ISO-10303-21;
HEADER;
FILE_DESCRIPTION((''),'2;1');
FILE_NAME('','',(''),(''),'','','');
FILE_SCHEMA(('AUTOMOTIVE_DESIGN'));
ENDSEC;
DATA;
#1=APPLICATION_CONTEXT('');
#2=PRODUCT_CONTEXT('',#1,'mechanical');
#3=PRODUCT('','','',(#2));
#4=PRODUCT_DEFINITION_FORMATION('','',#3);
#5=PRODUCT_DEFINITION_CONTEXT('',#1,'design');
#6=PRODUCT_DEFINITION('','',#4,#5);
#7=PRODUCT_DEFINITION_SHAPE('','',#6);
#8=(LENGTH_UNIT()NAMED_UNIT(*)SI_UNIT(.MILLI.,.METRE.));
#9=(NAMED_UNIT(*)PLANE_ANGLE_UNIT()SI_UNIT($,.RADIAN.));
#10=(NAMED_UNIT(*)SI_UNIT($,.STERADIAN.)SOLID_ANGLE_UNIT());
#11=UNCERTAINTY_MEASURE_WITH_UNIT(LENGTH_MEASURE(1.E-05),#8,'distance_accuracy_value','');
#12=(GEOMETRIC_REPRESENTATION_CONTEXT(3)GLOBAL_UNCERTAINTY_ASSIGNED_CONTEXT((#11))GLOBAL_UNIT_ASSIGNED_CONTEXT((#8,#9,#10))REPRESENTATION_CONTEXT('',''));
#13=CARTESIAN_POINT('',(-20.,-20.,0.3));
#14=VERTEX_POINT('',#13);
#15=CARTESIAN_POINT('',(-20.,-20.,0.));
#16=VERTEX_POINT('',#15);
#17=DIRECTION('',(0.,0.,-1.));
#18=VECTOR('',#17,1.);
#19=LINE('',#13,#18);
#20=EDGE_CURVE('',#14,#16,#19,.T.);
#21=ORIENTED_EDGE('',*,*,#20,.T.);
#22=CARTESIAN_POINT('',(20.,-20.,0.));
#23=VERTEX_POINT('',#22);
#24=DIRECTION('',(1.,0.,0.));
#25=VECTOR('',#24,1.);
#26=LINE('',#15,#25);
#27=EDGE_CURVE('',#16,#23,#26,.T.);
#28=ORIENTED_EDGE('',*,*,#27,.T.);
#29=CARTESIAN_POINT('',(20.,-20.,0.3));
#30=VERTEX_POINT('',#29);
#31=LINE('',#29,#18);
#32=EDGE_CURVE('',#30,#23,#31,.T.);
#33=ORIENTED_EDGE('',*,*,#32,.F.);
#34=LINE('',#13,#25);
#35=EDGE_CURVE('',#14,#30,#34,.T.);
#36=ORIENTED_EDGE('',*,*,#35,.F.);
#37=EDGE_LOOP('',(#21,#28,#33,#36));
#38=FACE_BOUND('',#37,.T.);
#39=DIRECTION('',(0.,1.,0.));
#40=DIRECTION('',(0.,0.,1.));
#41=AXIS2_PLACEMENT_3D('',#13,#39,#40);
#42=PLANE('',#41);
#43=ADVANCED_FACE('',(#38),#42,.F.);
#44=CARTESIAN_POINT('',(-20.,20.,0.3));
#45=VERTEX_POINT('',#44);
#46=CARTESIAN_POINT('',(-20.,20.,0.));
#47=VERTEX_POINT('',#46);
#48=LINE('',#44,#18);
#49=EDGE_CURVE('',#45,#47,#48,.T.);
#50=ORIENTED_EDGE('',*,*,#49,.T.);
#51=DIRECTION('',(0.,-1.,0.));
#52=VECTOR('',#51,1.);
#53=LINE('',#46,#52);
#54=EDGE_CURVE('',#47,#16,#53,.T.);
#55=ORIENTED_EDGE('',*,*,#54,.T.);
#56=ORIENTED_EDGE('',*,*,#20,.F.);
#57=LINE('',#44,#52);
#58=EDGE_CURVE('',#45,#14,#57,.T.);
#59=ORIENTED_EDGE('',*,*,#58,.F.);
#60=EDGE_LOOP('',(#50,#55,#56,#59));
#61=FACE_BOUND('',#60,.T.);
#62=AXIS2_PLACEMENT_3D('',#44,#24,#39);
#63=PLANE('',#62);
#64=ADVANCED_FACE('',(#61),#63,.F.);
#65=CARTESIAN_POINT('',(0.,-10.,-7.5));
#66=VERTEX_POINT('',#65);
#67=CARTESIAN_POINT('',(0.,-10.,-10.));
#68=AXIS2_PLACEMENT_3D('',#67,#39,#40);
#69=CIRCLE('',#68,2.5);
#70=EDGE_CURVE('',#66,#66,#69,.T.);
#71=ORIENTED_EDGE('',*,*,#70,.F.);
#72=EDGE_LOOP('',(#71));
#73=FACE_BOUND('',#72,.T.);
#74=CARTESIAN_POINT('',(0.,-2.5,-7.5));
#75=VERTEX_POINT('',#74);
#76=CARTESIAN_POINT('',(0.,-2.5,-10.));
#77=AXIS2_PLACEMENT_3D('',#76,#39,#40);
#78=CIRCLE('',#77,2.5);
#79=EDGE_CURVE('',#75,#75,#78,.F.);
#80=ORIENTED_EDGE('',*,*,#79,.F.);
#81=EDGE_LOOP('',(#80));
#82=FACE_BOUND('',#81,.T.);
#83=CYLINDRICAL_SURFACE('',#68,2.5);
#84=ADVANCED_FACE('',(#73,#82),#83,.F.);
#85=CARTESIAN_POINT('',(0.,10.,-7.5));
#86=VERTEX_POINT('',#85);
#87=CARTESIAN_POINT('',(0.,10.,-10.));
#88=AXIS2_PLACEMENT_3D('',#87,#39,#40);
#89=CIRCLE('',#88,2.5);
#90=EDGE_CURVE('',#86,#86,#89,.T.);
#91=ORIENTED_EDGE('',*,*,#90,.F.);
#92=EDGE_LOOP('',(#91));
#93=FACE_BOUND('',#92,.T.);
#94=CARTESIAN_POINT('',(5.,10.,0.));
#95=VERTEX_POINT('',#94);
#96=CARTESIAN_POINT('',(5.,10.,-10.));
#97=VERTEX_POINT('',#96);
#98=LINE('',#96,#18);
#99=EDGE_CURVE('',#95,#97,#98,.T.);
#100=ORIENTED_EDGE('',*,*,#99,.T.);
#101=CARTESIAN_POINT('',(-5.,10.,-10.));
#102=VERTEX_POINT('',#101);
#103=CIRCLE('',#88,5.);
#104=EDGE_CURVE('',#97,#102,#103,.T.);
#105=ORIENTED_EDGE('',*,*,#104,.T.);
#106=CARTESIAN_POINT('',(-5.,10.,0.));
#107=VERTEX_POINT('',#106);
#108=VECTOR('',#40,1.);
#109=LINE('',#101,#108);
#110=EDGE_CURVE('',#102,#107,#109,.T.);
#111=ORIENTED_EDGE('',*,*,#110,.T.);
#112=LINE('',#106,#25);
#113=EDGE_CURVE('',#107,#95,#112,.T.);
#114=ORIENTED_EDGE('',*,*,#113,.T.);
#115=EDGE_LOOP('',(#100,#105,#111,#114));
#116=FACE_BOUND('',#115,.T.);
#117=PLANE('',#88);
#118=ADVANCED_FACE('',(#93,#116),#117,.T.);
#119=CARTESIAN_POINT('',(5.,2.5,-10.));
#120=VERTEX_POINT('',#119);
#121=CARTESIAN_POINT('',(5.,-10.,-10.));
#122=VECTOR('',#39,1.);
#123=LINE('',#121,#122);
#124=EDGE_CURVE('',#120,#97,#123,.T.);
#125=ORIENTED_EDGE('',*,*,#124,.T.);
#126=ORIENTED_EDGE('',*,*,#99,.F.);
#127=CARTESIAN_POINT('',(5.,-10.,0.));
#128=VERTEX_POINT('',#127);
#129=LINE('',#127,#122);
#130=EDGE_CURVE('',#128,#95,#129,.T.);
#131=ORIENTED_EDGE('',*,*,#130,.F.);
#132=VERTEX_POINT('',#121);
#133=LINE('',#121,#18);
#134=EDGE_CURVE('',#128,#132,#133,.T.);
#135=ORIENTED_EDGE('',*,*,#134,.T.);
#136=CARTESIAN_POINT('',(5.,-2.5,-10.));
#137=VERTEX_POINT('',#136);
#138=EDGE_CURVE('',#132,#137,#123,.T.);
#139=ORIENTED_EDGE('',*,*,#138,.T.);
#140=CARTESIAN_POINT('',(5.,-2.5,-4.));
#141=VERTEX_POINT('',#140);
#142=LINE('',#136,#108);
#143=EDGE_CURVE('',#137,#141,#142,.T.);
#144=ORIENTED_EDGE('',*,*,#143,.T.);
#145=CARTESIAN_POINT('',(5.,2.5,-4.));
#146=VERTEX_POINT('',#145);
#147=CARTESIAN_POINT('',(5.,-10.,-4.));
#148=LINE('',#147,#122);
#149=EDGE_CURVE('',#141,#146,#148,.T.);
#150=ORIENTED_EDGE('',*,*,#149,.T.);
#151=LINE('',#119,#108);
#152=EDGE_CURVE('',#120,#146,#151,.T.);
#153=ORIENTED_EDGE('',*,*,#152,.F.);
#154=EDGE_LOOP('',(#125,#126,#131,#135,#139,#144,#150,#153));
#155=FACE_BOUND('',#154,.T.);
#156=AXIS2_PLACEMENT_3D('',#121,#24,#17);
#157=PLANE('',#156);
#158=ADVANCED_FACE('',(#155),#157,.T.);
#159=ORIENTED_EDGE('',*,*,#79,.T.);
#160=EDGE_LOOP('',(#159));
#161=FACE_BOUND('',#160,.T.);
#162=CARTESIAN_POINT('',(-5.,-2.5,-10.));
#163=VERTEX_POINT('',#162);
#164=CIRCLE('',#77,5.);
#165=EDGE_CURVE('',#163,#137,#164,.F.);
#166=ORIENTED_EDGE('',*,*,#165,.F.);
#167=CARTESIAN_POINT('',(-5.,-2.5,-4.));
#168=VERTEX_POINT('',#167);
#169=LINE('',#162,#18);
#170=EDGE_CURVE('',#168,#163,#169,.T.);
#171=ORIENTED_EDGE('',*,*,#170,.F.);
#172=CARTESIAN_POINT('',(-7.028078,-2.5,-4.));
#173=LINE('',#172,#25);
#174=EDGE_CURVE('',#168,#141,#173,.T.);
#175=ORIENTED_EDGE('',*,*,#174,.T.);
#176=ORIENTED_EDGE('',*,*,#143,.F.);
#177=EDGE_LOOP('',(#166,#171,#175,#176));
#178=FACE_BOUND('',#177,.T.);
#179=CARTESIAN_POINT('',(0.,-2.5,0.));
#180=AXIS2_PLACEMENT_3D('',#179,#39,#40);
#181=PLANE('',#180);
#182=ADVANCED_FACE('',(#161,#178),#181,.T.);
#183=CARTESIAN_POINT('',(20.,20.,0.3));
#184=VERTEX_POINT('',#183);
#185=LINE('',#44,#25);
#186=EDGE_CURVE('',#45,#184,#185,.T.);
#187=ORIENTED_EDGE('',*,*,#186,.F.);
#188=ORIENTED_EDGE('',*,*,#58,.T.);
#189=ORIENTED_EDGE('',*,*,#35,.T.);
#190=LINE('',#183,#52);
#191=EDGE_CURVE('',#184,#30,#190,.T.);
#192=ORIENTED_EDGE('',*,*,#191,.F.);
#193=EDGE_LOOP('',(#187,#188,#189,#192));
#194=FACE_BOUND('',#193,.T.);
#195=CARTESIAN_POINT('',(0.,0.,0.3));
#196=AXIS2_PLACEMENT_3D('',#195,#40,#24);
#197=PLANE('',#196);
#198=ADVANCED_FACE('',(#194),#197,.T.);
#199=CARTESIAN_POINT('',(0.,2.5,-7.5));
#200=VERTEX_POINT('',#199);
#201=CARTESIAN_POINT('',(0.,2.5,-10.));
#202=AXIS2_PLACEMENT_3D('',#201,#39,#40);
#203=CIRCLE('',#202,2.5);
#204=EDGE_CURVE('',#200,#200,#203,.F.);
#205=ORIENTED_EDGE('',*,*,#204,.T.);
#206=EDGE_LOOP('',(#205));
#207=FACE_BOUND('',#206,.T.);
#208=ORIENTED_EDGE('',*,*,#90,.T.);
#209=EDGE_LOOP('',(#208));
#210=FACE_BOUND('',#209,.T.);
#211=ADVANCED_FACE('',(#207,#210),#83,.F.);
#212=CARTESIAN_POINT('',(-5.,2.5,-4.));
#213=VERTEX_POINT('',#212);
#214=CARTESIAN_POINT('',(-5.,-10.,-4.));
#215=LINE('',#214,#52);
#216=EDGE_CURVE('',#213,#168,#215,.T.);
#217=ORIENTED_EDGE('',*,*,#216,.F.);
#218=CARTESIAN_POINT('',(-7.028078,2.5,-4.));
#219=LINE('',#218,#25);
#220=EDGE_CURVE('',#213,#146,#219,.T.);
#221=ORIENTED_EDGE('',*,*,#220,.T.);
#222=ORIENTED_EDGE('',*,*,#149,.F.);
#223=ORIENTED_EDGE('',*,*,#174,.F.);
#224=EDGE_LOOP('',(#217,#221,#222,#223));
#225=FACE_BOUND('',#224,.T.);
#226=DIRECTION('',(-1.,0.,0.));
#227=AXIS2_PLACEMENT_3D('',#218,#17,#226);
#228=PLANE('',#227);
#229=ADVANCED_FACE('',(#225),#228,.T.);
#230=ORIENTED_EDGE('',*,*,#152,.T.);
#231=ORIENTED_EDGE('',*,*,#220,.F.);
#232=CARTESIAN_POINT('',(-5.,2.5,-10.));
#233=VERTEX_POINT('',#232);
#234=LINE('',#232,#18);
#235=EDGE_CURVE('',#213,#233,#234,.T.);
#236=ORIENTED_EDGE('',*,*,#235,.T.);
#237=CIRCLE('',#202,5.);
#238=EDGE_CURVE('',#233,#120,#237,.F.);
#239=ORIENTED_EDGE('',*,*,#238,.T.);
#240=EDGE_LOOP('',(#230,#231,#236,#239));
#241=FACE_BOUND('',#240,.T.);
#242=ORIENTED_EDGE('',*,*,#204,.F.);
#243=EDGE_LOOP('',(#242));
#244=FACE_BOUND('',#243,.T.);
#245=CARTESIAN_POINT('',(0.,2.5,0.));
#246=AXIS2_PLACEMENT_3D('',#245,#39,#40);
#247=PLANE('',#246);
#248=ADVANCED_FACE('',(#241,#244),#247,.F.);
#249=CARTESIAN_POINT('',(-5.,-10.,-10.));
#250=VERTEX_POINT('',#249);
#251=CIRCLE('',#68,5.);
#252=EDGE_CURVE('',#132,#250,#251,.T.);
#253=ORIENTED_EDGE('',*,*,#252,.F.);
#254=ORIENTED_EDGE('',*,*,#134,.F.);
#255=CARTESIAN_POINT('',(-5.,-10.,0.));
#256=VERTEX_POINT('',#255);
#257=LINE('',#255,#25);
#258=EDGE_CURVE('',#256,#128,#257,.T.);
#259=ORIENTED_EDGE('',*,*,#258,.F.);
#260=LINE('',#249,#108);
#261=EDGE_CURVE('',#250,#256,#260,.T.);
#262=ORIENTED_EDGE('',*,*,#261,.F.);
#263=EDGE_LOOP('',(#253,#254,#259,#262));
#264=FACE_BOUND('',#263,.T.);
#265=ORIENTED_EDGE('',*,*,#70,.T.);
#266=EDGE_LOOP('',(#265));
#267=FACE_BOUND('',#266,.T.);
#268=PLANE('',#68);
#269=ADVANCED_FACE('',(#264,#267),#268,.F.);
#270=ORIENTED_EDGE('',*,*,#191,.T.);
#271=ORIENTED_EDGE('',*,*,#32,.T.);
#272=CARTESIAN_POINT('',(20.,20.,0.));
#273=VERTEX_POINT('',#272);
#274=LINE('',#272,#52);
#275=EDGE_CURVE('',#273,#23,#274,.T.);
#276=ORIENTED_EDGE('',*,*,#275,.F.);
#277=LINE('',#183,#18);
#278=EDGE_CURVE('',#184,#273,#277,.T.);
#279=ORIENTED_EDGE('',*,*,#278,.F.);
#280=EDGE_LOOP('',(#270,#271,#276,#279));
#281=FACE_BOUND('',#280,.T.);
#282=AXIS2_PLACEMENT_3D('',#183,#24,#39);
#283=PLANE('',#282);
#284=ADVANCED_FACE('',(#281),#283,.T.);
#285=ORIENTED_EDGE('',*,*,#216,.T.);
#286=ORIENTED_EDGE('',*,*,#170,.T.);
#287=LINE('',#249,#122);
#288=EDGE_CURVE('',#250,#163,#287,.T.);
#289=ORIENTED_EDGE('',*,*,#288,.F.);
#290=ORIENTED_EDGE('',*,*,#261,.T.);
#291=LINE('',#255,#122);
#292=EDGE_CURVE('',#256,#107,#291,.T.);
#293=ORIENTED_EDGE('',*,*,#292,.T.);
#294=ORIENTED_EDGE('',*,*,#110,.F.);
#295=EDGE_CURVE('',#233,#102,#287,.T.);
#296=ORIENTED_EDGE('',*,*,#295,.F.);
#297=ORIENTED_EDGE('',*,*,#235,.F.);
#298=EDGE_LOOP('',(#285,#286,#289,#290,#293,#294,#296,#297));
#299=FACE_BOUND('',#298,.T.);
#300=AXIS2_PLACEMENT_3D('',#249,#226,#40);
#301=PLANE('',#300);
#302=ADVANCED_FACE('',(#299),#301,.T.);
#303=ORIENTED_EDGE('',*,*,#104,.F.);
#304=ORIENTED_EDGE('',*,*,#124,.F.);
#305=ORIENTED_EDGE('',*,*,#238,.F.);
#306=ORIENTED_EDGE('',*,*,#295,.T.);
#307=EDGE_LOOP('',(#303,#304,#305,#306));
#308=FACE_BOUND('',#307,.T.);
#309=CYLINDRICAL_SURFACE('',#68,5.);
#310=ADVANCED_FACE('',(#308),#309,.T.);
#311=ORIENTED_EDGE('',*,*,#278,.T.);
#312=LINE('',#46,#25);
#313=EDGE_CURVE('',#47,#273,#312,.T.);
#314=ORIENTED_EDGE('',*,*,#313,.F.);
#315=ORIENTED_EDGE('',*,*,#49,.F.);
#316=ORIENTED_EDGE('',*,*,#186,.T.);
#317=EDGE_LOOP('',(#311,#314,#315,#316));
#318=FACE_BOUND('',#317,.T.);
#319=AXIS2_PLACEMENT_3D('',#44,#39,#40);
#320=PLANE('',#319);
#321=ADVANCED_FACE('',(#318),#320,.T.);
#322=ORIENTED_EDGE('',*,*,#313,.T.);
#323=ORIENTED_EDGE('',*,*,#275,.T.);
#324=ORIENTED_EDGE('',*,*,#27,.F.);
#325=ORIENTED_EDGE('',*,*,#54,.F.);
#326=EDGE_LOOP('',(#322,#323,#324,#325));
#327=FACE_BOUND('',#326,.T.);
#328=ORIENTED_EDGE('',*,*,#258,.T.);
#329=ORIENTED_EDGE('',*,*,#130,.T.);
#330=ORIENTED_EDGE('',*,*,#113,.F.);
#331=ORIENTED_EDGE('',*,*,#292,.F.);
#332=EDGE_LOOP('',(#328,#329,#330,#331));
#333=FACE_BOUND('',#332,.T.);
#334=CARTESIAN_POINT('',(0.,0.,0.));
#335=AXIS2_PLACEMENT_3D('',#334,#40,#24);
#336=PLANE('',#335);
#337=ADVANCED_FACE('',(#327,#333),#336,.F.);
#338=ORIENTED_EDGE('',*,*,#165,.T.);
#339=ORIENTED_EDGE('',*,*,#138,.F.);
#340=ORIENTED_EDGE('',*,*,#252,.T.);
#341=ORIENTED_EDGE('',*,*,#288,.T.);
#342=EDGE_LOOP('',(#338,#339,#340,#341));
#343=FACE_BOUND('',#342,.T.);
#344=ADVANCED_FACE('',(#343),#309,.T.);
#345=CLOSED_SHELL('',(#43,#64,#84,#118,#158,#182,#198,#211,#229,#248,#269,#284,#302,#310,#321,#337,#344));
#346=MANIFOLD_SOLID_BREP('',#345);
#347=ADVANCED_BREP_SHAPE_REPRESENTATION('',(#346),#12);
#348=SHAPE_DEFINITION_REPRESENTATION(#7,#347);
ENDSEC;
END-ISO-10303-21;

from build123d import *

# Parameters (mm, degrees)
CROQUIS1_W                   = 40
CROQUIS1_H                   = 40
SALIENTE_EXTRUIR1_DEPTH      = 0.3
SALIENTE_EXTRUIR2_DEPTH      = 10
SALIENTE_EXTRUIR2_DEPTH_BACK = 10
CROQUIS2_R                   = 2.5
CORTAR_EXTRUIR1_DEPTH        = 2.5
CORTAR_EXTRUIR1_DEPTH_BACK   = 2.5
CROQUIS3_W                   = 14.056155144
CROQUIS3_H                   = 12


with BuildPart() as part:
    # Croquis1 → Saliente-Extruir1 (new body)
    with BuildSketch(Plane.XY):
        Rectangle(CROQUIS1_W, CROQUIS1_H)
    extrude(amount=SALIENTE_EXTRUIR1_DEPTH)

    # Croquis2 → Saliente-Extruir2 (add, two sides: drawn at the far end of the back side and taken through both)
    with BuildSketch(Plane(origin=(0, 0, 0), x_dir=(1, 0, 0), z_dir=(0, 1, 0)).offset(-SALIENTE_EXTRUIR2_DEPTH_BACK)):
        with BuildLine():
            Line((-5, 10), (-5, 0))
            Line((-5, 0), (5, 0))
            Line((5, 0), (5, 10))
            ThreePointArc((5, 10), (0, 15), (-5, 10))
        make_face()
        with Locations(Location((0, 10, 0), (0, 0, 270))):
            Circle(CROQUIS2_R, mode=Mode.SUBTRACT)
    extrude(amount=SALIENTE_EXTRUIR2_DEPTH + SALIENTE_EXTRUIR2_DEPTH_BACK)

    # Croquis3 → Cortar-Extruir1 (cut, two sides: drawn at the far end of the back side and taken through both)
    with BuildSketch(Plane(origin=(0, 0, 0), x_dir=(1, 0, 0), z_dir=(0, 1, 0)).offset(-CORTAR_EXTRUIR1_DEPTH_BACK)):
        with Locations((0, 10)):
            Rectangle(CROQUIS3_W, CROQUIS3_H)
    extrude(amount=CORTAR_EXTRUIR1_DEPTH + CORTAR_EXTRUIR1_DEPTH_BACK, mode=Mode.SUBTRACT)


solid = part.part
